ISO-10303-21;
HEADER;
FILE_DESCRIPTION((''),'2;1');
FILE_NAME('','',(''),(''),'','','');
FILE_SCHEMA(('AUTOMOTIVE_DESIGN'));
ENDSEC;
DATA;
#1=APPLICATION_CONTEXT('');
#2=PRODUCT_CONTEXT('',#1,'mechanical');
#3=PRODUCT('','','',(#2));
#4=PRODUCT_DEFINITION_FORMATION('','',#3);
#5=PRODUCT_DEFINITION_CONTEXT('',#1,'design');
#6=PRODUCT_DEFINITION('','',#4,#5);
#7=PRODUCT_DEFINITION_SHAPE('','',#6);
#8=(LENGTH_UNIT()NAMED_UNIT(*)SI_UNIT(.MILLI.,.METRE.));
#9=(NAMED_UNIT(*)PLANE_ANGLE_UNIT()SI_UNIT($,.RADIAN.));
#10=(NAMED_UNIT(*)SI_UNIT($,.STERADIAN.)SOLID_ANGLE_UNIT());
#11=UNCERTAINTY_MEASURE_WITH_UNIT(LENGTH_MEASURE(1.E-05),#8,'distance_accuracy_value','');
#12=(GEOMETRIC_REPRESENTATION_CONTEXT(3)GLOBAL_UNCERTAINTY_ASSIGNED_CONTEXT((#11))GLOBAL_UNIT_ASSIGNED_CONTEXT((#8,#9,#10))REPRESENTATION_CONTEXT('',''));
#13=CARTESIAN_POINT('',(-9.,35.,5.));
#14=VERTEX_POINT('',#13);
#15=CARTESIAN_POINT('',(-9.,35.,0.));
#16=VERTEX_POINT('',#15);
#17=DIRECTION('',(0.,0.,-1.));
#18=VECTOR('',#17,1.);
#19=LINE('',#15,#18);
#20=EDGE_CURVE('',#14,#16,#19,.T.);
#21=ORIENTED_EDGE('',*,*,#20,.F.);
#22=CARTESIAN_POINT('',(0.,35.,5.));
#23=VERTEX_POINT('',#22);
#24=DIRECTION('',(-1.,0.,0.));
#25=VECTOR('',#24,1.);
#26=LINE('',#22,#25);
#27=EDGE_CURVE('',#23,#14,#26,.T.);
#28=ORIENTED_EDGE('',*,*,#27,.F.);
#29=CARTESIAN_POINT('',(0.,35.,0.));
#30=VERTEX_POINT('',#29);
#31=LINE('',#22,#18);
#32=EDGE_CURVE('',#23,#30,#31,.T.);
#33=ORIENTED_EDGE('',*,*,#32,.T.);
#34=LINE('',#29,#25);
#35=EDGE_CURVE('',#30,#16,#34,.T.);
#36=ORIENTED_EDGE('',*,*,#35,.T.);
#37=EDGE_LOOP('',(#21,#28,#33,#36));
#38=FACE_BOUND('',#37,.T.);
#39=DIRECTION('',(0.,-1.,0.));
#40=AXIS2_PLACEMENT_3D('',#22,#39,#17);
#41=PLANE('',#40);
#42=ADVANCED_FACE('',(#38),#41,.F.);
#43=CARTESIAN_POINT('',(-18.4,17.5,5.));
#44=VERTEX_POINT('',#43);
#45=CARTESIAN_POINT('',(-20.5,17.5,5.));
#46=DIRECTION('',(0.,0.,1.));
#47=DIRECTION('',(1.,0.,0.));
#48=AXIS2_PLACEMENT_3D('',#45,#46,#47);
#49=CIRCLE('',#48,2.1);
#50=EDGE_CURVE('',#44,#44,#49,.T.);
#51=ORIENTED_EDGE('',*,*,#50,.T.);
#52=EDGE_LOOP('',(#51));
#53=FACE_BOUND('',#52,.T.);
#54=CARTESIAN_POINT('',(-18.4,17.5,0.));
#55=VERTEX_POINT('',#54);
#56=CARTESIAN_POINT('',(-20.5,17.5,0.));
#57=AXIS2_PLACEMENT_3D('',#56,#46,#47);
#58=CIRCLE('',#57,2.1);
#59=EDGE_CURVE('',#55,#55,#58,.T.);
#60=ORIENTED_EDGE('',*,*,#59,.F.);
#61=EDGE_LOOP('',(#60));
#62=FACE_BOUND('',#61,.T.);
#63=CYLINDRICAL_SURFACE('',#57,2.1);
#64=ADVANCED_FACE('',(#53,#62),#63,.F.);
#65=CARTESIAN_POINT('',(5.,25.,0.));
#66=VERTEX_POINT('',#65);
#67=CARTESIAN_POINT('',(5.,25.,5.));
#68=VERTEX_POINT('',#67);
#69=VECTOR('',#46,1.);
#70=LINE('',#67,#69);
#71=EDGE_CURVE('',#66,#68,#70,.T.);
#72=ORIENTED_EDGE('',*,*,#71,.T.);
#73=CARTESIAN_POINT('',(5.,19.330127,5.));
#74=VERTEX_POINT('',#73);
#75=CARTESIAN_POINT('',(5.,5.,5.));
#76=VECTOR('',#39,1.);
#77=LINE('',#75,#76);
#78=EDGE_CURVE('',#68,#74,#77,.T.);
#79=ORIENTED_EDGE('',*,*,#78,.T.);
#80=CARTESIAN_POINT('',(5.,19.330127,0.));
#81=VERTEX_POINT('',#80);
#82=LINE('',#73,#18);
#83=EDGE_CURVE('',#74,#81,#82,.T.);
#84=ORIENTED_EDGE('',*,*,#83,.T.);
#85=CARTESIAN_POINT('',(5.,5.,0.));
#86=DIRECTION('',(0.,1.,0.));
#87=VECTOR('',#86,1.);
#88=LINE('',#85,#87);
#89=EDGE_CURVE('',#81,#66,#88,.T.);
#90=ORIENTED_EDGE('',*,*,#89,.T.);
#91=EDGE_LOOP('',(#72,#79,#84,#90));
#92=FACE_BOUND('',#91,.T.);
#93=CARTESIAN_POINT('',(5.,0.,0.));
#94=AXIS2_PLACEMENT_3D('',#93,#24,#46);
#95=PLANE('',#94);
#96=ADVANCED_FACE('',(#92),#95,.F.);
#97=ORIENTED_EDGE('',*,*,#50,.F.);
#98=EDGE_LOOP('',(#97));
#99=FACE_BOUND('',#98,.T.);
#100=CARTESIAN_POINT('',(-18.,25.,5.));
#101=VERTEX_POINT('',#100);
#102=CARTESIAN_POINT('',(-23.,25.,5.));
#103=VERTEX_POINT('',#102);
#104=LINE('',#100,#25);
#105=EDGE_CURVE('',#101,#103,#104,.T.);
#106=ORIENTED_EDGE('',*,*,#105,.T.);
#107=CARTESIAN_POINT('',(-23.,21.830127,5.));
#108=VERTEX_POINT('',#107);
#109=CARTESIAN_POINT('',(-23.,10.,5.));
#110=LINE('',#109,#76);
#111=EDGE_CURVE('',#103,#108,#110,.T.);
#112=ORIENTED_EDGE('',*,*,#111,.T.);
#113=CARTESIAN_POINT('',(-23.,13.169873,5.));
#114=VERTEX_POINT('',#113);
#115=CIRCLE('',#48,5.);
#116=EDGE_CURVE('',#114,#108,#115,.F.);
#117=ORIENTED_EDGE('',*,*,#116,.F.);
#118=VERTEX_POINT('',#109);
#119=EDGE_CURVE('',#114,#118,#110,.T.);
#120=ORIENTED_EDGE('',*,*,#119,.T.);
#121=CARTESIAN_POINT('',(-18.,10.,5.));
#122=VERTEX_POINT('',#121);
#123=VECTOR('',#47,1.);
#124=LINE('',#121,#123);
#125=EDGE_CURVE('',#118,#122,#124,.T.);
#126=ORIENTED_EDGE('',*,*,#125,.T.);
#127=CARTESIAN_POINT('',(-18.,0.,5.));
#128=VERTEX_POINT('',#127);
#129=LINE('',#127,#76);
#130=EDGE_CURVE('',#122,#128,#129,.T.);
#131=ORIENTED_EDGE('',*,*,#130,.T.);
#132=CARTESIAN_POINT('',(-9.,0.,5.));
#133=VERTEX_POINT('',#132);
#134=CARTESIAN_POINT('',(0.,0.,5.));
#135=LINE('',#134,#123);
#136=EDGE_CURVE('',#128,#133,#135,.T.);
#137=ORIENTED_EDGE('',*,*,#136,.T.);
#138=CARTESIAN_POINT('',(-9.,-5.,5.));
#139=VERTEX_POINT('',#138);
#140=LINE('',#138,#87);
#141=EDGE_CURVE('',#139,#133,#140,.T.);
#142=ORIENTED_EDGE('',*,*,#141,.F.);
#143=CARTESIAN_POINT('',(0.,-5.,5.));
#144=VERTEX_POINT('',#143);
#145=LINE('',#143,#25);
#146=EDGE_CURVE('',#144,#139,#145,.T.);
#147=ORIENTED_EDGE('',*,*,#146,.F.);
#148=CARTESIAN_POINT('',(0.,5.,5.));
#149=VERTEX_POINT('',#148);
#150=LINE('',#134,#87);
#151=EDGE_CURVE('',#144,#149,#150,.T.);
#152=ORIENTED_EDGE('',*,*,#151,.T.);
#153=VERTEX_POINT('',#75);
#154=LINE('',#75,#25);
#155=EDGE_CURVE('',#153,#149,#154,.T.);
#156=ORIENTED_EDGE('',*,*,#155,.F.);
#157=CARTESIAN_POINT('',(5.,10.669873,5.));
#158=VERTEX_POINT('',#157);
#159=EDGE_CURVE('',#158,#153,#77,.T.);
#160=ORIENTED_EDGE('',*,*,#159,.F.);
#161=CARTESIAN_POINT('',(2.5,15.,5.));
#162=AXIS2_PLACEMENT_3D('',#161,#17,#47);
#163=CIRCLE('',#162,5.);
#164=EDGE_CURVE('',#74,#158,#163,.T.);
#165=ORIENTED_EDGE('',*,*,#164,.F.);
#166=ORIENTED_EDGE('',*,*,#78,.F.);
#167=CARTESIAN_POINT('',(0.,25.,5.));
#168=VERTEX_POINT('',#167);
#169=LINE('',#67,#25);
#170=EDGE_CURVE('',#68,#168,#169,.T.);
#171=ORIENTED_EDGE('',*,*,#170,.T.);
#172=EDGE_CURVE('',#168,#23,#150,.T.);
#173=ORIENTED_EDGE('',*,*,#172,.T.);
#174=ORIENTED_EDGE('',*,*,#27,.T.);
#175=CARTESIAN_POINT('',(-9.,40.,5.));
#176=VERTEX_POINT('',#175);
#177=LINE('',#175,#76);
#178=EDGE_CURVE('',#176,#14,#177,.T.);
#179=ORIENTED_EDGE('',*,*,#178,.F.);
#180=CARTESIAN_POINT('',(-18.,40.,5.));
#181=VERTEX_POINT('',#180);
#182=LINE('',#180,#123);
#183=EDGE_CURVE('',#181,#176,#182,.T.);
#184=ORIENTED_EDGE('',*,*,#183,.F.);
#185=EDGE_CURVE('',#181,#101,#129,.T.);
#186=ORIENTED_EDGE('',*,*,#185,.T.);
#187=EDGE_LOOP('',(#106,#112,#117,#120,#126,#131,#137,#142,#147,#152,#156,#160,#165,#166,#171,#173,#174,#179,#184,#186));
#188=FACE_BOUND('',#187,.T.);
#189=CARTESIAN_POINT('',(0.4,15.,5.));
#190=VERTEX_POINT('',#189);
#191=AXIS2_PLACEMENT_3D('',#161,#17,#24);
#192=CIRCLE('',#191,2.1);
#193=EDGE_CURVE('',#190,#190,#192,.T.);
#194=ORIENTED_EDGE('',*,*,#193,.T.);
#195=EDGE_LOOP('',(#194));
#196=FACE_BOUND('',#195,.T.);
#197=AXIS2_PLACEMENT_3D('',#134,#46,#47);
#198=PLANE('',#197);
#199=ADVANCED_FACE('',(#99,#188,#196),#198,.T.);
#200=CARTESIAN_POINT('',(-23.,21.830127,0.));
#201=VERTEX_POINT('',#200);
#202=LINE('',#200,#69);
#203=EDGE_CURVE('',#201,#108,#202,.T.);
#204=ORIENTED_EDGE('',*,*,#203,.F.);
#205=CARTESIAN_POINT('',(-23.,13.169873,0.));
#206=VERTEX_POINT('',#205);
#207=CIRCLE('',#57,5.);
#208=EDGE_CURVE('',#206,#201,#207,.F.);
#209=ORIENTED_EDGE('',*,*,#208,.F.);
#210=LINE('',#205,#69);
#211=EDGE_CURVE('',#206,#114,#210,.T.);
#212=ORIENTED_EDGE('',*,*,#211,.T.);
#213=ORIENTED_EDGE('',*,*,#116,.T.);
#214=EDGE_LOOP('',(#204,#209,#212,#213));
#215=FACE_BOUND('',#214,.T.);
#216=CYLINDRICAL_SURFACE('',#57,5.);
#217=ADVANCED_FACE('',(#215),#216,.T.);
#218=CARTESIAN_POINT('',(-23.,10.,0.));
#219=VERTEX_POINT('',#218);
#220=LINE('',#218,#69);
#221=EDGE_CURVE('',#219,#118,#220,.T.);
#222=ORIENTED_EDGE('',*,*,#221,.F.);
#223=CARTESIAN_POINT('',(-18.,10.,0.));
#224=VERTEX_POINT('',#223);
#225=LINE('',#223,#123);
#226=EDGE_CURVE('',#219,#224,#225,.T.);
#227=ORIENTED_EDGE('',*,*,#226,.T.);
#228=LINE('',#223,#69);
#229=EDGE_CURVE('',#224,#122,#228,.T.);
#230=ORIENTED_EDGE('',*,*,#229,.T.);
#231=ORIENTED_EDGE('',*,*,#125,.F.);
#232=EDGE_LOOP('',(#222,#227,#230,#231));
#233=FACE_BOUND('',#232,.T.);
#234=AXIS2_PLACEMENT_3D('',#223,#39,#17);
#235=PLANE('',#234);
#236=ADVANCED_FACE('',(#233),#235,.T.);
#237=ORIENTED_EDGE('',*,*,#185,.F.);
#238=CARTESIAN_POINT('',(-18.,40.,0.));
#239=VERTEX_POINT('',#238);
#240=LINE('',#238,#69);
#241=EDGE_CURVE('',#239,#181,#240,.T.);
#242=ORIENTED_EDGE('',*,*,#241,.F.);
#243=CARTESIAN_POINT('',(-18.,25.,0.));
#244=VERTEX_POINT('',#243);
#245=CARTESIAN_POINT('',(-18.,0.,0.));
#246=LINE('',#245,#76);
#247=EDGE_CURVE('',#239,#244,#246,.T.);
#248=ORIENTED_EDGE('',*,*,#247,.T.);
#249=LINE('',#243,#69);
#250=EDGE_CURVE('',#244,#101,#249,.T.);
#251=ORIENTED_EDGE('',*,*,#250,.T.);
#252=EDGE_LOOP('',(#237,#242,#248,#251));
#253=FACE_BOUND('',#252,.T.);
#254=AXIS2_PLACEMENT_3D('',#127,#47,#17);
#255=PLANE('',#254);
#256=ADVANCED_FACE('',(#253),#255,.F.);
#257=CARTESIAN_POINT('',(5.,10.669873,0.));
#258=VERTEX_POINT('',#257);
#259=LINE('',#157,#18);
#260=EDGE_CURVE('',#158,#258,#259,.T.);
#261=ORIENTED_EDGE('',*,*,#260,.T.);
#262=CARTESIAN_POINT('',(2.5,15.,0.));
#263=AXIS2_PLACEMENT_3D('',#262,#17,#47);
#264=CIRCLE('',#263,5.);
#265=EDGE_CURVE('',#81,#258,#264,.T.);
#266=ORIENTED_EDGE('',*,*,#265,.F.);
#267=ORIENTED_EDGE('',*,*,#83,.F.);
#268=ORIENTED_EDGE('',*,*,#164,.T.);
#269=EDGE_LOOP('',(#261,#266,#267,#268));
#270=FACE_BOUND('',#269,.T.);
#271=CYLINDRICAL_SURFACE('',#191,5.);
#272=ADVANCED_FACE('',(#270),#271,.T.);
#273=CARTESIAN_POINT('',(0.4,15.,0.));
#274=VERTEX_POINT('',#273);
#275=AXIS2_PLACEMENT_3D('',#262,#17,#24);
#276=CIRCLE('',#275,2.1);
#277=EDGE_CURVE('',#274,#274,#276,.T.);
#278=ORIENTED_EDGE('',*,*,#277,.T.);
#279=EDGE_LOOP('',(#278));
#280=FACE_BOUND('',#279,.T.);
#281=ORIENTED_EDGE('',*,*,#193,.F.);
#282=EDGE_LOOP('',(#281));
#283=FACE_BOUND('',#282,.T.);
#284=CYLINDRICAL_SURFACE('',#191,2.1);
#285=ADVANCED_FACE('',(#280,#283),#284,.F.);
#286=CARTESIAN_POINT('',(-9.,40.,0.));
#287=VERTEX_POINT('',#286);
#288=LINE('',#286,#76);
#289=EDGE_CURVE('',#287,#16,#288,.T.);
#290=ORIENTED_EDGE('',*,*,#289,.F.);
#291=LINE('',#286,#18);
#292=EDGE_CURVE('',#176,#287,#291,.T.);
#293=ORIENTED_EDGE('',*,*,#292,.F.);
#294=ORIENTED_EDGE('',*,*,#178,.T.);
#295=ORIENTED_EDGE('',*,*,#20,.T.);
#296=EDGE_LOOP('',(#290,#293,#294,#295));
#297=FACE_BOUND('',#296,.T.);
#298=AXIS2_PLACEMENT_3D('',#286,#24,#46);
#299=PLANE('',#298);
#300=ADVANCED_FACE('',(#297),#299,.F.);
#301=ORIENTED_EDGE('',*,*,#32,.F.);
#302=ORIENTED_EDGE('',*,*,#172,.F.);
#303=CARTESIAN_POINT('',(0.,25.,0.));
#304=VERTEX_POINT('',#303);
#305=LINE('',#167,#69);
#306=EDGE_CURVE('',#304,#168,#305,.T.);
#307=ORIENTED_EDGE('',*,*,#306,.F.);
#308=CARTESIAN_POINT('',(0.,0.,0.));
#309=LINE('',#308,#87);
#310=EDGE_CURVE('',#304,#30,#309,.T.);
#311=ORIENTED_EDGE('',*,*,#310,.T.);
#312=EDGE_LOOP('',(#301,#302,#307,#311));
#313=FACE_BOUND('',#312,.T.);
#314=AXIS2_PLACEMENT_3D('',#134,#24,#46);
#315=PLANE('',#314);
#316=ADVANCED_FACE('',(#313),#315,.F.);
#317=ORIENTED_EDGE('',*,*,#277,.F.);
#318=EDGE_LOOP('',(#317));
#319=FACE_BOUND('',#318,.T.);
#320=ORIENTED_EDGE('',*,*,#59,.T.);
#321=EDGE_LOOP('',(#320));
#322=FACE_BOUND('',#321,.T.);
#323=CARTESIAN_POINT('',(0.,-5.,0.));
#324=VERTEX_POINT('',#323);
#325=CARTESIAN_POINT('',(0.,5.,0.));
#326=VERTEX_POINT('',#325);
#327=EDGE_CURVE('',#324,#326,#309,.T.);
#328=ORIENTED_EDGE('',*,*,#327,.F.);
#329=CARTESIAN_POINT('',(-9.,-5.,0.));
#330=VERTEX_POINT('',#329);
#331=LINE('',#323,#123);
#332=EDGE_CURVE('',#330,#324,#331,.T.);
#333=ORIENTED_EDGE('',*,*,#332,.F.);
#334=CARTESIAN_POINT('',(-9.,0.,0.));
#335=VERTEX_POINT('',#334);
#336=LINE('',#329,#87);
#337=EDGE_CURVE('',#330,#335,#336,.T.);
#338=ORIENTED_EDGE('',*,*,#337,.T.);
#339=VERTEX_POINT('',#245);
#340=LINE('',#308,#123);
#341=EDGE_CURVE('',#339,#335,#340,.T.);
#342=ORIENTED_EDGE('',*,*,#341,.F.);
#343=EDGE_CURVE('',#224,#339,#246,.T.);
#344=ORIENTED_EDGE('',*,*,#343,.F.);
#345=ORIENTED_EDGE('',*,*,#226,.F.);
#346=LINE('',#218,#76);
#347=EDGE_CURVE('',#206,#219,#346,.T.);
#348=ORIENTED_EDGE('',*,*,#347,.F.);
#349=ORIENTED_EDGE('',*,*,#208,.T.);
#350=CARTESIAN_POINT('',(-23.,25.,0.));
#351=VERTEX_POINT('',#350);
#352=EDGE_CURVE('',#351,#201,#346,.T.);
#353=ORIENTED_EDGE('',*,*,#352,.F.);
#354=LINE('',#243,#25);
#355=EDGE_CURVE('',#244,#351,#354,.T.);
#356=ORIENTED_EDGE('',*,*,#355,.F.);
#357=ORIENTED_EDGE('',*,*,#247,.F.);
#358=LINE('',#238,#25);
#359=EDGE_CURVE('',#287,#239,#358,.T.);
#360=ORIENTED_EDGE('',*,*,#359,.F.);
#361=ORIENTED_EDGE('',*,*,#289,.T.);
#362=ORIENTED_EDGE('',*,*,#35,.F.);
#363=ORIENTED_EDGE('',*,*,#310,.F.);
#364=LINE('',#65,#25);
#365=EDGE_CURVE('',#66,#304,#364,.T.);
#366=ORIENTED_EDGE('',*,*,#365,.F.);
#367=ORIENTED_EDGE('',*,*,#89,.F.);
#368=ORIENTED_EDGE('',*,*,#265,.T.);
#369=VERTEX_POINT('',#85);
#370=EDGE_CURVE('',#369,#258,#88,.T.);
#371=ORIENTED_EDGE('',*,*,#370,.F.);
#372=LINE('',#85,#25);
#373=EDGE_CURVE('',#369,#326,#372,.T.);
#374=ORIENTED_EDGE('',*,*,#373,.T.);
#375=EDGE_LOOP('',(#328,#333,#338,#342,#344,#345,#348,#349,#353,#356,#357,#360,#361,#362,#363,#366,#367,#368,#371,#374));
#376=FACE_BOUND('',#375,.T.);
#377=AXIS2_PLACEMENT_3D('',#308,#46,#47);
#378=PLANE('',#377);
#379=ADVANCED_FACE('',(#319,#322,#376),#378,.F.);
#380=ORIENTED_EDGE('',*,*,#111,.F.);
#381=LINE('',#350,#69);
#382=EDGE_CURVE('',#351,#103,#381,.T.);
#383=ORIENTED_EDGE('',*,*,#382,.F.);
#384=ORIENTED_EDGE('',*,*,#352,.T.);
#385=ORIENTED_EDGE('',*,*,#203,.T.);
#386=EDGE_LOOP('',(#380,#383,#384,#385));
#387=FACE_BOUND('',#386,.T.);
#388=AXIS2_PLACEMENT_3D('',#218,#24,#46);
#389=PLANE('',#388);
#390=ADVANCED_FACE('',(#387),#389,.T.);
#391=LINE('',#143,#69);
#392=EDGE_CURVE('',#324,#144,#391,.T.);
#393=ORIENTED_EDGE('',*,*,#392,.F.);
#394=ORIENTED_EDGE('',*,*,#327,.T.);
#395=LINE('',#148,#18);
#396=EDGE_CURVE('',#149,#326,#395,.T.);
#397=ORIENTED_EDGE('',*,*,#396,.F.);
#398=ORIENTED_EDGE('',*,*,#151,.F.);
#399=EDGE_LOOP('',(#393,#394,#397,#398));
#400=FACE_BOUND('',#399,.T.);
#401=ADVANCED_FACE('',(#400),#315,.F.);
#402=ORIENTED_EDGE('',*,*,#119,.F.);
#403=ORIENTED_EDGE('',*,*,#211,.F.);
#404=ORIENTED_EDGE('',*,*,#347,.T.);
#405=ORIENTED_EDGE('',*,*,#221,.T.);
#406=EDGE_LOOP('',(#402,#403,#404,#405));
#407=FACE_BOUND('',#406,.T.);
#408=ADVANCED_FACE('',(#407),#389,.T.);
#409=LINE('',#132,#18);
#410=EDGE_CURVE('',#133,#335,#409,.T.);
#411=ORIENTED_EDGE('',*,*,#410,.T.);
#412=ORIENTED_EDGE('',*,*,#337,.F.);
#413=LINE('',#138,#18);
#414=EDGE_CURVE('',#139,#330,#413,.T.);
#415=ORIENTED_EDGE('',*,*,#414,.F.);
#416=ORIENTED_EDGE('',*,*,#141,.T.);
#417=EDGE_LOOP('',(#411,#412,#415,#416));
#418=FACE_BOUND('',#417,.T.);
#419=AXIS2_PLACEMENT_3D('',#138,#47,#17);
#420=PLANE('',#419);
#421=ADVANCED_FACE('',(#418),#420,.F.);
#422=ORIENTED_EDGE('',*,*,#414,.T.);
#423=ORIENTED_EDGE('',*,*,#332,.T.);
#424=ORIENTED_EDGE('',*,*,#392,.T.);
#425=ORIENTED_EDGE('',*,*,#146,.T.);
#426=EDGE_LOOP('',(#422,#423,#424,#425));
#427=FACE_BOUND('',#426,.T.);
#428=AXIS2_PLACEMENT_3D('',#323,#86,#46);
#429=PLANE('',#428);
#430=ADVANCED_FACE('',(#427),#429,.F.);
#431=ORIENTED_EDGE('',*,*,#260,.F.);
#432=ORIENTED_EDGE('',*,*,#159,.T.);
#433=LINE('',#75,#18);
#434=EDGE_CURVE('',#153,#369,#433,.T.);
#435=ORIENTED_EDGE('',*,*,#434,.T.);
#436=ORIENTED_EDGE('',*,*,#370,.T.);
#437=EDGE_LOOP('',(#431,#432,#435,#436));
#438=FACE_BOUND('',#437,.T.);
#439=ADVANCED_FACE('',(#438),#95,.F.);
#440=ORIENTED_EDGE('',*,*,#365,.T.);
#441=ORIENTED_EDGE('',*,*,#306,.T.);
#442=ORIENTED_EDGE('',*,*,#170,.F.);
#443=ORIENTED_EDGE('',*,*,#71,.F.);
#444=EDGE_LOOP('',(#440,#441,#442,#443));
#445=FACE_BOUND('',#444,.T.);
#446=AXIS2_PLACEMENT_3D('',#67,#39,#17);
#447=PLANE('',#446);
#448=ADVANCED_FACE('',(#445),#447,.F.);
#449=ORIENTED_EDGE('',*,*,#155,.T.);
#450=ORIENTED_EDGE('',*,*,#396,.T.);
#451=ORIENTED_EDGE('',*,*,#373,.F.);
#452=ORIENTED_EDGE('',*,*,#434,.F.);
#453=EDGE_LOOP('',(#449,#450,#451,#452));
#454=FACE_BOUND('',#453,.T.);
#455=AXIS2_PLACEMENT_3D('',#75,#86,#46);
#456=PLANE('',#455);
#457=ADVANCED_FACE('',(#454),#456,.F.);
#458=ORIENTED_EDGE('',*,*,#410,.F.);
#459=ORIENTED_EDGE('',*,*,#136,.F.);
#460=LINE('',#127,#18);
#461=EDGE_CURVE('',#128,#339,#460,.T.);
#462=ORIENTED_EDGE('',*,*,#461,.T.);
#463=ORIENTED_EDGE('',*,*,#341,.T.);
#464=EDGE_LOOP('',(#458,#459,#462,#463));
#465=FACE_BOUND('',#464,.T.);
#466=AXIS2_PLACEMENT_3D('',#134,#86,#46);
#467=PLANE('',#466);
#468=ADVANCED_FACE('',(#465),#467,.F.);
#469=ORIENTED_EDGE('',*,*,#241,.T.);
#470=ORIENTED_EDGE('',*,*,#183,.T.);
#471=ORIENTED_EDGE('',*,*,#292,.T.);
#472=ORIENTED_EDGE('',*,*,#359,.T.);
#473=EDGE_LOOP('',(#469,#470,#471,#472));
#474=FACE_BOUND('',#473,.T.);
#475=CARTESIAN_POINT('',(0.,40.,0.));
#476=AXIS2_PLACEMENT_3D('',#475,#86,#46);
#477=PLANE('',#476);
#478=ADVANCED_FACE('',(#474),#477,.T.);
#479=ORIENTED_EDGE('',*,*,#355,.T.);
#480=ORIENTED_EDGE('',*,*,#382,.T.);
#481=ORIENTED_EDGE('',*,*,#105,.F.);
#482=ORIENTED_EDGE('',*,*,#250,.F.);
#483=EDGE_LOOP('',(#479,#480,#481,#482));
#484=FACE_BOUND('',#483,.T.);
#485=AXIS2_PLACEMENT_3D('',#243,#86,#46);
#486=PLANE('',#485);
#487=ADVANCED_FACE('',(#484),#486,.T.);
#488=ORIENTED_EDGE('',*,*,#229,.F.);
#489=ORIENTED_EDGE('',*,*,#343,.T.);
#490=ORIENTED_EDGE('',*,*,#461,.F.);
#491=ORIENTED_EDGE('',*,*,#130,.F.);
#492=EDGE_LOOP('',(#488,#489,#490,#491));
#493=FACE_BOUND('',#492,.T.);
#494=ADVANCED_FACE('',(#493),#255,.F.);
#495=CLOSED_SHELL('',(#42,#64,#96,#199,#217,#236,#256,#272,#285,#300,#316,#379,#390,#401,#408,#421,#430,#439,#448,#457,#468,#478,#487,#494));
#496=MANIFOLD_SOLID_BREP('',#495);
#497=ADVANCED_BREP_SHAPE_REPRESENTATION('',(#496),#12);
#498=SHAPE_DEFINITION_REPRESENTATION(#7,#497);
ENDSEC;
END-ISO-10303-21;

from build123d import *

# Parameters (mm, degrees)
SKETCH1_W           = 18
SKETCH1_H           = 35
BOSS_EXTRUDE1_DEPTH = 5
SKETCH2_W           = 5
SKETCH2_H           = 20
BOSS_EXTRUDE2_DEPTH = 5
SKETCH3_W           = 9
SKETCH3_H           = 5
BOSS_EXTRUDE3_DEPTH = 5
SKETCH4_W           = 5
SKETCH4_H           = 15
BOSS_EXTRUDE4_DEPTH = 5
SKETCH5_W           = 9
SKETCH5_H           = 5
BOSS_EXTRUDE5_DEPTH = 5
SKETCH6_R           = 2.1
CUT_EXTRUDE1_DEPTH  = 5
BOSS_EXTRUDE6_DEPTH = 5
SKETCH8_R           = 2.1
CUT_EXTRUDE2_DEPTH  = 5
BOSS_EXTRUDE7_DEPTH = 5


with BuildPart() as part:
    # Sketch1 → Boss-Extrude1 (new body)
    with BuildSketch(Plane.XY):
        with Locations((-9, 17.5)):
            Rectangle(SKETCH1_W, SKETCH1_H)
    extrude(amount=BOSS_EXTRUDE1_DEPTH)

    # Sketch2 → Boss-Extrude2 (add)
    with BuildSketch(Plane(origin=(0, 0, 0), x_dir=(0, 0, -1), z_dir=(1, 0, 0))):
        with Locations((-2.5, 15)):
            Rectangle(SKETCH2_W, SKETCH2_H)
    extrude(amount=BOSS_EXTRUDE2_DEPTH)

    # Sketch3 → Boss-Extrude3 (add)
    with BuildSketch(Plane.XZ):
        with Locations((-4.5, 2.5)):
            Rectangle(SKETCH3_W, SKETCH3_H)
    extrude(amount=BOSS_EXTRUDE3_DEPTH)

    # Sketch4 → Boss-Extrude4 (add)
    with BuildSketch(Plane.XY.offset(5)):
        with Locations((-20.5, 17.5)):
            Rectangle(SKETCH4_W, SKETCH4_H)
    extrude(amount=-BOSS_EXTRUDE4_DEPTH)

    # Sketch5 → Boss-Extrude5 (add)
    with BuildSketch(Plane(origin=(0, 35, 0), x_dir=(1, 0, 0), z_dir=(0, 1, 0))):
        with Locations((-13.5, -2.5)):
            Rectangle(SKETCH5_W, SKETCH5_H)
    extrude(amount=BOSS_EXTRUDE5_DEPTH)

    # Sketch6 → Cut-Extrude1 (cut)
    with BuildSketch(Plane(origin=(0, 0, 0), x_dir=(-1, 0, 0), z_dir=(0, 0, -1))):
        with Locations((-2.5, 15)):
            Circle(SKETCH6_R)
    extrude(amount=-CUT_EXTRUDE1_DEPTH, mode=Mode.SUBTRACT)

    # Sketch7 → Boss-Extrude6 (add)
    with BuildSketch(Plane(origin=(0, 0, 0), x_dir=(-1, 0, 0), z_dir=(0, 0, -1))):
        with BuildLine():
            Line((-5, 10.669872981), (-5, 19.330127019))
            ThreePointArc((-5, 19.330127019), (-7.5, 15), (-5, 10.669872981))
        make_face()
    extrude(amount=-BOSS_EXTRUDE6_DEPTH)

    # Sketch8 → Cut-Extrude2 (cut)
    with BuildSketch(Plane.XY.offset(5)):
        with Locations((-20.5, 17.5)):
            Circle(SKETCH8_R)
    extrude(amount=-CUT_EXTRUDE2_DEPTH, mode=Mode.SUBTRACT)

    # Sketch9 → Boss-Extrude7 (add)
    with BuildSketch(Plane.XY.offset(5)):
        with BuildLine():
            Line((-23, 13.169872981), (-23, 21.830127019))
            ThreePointArc((-23, 21.830127019), (-25.5, 17.5), (-23, 13.169872981))
        make_face()
    extrude(amount=-BOSS_EXTRUDE7_DEPTH)


solid = part.part
